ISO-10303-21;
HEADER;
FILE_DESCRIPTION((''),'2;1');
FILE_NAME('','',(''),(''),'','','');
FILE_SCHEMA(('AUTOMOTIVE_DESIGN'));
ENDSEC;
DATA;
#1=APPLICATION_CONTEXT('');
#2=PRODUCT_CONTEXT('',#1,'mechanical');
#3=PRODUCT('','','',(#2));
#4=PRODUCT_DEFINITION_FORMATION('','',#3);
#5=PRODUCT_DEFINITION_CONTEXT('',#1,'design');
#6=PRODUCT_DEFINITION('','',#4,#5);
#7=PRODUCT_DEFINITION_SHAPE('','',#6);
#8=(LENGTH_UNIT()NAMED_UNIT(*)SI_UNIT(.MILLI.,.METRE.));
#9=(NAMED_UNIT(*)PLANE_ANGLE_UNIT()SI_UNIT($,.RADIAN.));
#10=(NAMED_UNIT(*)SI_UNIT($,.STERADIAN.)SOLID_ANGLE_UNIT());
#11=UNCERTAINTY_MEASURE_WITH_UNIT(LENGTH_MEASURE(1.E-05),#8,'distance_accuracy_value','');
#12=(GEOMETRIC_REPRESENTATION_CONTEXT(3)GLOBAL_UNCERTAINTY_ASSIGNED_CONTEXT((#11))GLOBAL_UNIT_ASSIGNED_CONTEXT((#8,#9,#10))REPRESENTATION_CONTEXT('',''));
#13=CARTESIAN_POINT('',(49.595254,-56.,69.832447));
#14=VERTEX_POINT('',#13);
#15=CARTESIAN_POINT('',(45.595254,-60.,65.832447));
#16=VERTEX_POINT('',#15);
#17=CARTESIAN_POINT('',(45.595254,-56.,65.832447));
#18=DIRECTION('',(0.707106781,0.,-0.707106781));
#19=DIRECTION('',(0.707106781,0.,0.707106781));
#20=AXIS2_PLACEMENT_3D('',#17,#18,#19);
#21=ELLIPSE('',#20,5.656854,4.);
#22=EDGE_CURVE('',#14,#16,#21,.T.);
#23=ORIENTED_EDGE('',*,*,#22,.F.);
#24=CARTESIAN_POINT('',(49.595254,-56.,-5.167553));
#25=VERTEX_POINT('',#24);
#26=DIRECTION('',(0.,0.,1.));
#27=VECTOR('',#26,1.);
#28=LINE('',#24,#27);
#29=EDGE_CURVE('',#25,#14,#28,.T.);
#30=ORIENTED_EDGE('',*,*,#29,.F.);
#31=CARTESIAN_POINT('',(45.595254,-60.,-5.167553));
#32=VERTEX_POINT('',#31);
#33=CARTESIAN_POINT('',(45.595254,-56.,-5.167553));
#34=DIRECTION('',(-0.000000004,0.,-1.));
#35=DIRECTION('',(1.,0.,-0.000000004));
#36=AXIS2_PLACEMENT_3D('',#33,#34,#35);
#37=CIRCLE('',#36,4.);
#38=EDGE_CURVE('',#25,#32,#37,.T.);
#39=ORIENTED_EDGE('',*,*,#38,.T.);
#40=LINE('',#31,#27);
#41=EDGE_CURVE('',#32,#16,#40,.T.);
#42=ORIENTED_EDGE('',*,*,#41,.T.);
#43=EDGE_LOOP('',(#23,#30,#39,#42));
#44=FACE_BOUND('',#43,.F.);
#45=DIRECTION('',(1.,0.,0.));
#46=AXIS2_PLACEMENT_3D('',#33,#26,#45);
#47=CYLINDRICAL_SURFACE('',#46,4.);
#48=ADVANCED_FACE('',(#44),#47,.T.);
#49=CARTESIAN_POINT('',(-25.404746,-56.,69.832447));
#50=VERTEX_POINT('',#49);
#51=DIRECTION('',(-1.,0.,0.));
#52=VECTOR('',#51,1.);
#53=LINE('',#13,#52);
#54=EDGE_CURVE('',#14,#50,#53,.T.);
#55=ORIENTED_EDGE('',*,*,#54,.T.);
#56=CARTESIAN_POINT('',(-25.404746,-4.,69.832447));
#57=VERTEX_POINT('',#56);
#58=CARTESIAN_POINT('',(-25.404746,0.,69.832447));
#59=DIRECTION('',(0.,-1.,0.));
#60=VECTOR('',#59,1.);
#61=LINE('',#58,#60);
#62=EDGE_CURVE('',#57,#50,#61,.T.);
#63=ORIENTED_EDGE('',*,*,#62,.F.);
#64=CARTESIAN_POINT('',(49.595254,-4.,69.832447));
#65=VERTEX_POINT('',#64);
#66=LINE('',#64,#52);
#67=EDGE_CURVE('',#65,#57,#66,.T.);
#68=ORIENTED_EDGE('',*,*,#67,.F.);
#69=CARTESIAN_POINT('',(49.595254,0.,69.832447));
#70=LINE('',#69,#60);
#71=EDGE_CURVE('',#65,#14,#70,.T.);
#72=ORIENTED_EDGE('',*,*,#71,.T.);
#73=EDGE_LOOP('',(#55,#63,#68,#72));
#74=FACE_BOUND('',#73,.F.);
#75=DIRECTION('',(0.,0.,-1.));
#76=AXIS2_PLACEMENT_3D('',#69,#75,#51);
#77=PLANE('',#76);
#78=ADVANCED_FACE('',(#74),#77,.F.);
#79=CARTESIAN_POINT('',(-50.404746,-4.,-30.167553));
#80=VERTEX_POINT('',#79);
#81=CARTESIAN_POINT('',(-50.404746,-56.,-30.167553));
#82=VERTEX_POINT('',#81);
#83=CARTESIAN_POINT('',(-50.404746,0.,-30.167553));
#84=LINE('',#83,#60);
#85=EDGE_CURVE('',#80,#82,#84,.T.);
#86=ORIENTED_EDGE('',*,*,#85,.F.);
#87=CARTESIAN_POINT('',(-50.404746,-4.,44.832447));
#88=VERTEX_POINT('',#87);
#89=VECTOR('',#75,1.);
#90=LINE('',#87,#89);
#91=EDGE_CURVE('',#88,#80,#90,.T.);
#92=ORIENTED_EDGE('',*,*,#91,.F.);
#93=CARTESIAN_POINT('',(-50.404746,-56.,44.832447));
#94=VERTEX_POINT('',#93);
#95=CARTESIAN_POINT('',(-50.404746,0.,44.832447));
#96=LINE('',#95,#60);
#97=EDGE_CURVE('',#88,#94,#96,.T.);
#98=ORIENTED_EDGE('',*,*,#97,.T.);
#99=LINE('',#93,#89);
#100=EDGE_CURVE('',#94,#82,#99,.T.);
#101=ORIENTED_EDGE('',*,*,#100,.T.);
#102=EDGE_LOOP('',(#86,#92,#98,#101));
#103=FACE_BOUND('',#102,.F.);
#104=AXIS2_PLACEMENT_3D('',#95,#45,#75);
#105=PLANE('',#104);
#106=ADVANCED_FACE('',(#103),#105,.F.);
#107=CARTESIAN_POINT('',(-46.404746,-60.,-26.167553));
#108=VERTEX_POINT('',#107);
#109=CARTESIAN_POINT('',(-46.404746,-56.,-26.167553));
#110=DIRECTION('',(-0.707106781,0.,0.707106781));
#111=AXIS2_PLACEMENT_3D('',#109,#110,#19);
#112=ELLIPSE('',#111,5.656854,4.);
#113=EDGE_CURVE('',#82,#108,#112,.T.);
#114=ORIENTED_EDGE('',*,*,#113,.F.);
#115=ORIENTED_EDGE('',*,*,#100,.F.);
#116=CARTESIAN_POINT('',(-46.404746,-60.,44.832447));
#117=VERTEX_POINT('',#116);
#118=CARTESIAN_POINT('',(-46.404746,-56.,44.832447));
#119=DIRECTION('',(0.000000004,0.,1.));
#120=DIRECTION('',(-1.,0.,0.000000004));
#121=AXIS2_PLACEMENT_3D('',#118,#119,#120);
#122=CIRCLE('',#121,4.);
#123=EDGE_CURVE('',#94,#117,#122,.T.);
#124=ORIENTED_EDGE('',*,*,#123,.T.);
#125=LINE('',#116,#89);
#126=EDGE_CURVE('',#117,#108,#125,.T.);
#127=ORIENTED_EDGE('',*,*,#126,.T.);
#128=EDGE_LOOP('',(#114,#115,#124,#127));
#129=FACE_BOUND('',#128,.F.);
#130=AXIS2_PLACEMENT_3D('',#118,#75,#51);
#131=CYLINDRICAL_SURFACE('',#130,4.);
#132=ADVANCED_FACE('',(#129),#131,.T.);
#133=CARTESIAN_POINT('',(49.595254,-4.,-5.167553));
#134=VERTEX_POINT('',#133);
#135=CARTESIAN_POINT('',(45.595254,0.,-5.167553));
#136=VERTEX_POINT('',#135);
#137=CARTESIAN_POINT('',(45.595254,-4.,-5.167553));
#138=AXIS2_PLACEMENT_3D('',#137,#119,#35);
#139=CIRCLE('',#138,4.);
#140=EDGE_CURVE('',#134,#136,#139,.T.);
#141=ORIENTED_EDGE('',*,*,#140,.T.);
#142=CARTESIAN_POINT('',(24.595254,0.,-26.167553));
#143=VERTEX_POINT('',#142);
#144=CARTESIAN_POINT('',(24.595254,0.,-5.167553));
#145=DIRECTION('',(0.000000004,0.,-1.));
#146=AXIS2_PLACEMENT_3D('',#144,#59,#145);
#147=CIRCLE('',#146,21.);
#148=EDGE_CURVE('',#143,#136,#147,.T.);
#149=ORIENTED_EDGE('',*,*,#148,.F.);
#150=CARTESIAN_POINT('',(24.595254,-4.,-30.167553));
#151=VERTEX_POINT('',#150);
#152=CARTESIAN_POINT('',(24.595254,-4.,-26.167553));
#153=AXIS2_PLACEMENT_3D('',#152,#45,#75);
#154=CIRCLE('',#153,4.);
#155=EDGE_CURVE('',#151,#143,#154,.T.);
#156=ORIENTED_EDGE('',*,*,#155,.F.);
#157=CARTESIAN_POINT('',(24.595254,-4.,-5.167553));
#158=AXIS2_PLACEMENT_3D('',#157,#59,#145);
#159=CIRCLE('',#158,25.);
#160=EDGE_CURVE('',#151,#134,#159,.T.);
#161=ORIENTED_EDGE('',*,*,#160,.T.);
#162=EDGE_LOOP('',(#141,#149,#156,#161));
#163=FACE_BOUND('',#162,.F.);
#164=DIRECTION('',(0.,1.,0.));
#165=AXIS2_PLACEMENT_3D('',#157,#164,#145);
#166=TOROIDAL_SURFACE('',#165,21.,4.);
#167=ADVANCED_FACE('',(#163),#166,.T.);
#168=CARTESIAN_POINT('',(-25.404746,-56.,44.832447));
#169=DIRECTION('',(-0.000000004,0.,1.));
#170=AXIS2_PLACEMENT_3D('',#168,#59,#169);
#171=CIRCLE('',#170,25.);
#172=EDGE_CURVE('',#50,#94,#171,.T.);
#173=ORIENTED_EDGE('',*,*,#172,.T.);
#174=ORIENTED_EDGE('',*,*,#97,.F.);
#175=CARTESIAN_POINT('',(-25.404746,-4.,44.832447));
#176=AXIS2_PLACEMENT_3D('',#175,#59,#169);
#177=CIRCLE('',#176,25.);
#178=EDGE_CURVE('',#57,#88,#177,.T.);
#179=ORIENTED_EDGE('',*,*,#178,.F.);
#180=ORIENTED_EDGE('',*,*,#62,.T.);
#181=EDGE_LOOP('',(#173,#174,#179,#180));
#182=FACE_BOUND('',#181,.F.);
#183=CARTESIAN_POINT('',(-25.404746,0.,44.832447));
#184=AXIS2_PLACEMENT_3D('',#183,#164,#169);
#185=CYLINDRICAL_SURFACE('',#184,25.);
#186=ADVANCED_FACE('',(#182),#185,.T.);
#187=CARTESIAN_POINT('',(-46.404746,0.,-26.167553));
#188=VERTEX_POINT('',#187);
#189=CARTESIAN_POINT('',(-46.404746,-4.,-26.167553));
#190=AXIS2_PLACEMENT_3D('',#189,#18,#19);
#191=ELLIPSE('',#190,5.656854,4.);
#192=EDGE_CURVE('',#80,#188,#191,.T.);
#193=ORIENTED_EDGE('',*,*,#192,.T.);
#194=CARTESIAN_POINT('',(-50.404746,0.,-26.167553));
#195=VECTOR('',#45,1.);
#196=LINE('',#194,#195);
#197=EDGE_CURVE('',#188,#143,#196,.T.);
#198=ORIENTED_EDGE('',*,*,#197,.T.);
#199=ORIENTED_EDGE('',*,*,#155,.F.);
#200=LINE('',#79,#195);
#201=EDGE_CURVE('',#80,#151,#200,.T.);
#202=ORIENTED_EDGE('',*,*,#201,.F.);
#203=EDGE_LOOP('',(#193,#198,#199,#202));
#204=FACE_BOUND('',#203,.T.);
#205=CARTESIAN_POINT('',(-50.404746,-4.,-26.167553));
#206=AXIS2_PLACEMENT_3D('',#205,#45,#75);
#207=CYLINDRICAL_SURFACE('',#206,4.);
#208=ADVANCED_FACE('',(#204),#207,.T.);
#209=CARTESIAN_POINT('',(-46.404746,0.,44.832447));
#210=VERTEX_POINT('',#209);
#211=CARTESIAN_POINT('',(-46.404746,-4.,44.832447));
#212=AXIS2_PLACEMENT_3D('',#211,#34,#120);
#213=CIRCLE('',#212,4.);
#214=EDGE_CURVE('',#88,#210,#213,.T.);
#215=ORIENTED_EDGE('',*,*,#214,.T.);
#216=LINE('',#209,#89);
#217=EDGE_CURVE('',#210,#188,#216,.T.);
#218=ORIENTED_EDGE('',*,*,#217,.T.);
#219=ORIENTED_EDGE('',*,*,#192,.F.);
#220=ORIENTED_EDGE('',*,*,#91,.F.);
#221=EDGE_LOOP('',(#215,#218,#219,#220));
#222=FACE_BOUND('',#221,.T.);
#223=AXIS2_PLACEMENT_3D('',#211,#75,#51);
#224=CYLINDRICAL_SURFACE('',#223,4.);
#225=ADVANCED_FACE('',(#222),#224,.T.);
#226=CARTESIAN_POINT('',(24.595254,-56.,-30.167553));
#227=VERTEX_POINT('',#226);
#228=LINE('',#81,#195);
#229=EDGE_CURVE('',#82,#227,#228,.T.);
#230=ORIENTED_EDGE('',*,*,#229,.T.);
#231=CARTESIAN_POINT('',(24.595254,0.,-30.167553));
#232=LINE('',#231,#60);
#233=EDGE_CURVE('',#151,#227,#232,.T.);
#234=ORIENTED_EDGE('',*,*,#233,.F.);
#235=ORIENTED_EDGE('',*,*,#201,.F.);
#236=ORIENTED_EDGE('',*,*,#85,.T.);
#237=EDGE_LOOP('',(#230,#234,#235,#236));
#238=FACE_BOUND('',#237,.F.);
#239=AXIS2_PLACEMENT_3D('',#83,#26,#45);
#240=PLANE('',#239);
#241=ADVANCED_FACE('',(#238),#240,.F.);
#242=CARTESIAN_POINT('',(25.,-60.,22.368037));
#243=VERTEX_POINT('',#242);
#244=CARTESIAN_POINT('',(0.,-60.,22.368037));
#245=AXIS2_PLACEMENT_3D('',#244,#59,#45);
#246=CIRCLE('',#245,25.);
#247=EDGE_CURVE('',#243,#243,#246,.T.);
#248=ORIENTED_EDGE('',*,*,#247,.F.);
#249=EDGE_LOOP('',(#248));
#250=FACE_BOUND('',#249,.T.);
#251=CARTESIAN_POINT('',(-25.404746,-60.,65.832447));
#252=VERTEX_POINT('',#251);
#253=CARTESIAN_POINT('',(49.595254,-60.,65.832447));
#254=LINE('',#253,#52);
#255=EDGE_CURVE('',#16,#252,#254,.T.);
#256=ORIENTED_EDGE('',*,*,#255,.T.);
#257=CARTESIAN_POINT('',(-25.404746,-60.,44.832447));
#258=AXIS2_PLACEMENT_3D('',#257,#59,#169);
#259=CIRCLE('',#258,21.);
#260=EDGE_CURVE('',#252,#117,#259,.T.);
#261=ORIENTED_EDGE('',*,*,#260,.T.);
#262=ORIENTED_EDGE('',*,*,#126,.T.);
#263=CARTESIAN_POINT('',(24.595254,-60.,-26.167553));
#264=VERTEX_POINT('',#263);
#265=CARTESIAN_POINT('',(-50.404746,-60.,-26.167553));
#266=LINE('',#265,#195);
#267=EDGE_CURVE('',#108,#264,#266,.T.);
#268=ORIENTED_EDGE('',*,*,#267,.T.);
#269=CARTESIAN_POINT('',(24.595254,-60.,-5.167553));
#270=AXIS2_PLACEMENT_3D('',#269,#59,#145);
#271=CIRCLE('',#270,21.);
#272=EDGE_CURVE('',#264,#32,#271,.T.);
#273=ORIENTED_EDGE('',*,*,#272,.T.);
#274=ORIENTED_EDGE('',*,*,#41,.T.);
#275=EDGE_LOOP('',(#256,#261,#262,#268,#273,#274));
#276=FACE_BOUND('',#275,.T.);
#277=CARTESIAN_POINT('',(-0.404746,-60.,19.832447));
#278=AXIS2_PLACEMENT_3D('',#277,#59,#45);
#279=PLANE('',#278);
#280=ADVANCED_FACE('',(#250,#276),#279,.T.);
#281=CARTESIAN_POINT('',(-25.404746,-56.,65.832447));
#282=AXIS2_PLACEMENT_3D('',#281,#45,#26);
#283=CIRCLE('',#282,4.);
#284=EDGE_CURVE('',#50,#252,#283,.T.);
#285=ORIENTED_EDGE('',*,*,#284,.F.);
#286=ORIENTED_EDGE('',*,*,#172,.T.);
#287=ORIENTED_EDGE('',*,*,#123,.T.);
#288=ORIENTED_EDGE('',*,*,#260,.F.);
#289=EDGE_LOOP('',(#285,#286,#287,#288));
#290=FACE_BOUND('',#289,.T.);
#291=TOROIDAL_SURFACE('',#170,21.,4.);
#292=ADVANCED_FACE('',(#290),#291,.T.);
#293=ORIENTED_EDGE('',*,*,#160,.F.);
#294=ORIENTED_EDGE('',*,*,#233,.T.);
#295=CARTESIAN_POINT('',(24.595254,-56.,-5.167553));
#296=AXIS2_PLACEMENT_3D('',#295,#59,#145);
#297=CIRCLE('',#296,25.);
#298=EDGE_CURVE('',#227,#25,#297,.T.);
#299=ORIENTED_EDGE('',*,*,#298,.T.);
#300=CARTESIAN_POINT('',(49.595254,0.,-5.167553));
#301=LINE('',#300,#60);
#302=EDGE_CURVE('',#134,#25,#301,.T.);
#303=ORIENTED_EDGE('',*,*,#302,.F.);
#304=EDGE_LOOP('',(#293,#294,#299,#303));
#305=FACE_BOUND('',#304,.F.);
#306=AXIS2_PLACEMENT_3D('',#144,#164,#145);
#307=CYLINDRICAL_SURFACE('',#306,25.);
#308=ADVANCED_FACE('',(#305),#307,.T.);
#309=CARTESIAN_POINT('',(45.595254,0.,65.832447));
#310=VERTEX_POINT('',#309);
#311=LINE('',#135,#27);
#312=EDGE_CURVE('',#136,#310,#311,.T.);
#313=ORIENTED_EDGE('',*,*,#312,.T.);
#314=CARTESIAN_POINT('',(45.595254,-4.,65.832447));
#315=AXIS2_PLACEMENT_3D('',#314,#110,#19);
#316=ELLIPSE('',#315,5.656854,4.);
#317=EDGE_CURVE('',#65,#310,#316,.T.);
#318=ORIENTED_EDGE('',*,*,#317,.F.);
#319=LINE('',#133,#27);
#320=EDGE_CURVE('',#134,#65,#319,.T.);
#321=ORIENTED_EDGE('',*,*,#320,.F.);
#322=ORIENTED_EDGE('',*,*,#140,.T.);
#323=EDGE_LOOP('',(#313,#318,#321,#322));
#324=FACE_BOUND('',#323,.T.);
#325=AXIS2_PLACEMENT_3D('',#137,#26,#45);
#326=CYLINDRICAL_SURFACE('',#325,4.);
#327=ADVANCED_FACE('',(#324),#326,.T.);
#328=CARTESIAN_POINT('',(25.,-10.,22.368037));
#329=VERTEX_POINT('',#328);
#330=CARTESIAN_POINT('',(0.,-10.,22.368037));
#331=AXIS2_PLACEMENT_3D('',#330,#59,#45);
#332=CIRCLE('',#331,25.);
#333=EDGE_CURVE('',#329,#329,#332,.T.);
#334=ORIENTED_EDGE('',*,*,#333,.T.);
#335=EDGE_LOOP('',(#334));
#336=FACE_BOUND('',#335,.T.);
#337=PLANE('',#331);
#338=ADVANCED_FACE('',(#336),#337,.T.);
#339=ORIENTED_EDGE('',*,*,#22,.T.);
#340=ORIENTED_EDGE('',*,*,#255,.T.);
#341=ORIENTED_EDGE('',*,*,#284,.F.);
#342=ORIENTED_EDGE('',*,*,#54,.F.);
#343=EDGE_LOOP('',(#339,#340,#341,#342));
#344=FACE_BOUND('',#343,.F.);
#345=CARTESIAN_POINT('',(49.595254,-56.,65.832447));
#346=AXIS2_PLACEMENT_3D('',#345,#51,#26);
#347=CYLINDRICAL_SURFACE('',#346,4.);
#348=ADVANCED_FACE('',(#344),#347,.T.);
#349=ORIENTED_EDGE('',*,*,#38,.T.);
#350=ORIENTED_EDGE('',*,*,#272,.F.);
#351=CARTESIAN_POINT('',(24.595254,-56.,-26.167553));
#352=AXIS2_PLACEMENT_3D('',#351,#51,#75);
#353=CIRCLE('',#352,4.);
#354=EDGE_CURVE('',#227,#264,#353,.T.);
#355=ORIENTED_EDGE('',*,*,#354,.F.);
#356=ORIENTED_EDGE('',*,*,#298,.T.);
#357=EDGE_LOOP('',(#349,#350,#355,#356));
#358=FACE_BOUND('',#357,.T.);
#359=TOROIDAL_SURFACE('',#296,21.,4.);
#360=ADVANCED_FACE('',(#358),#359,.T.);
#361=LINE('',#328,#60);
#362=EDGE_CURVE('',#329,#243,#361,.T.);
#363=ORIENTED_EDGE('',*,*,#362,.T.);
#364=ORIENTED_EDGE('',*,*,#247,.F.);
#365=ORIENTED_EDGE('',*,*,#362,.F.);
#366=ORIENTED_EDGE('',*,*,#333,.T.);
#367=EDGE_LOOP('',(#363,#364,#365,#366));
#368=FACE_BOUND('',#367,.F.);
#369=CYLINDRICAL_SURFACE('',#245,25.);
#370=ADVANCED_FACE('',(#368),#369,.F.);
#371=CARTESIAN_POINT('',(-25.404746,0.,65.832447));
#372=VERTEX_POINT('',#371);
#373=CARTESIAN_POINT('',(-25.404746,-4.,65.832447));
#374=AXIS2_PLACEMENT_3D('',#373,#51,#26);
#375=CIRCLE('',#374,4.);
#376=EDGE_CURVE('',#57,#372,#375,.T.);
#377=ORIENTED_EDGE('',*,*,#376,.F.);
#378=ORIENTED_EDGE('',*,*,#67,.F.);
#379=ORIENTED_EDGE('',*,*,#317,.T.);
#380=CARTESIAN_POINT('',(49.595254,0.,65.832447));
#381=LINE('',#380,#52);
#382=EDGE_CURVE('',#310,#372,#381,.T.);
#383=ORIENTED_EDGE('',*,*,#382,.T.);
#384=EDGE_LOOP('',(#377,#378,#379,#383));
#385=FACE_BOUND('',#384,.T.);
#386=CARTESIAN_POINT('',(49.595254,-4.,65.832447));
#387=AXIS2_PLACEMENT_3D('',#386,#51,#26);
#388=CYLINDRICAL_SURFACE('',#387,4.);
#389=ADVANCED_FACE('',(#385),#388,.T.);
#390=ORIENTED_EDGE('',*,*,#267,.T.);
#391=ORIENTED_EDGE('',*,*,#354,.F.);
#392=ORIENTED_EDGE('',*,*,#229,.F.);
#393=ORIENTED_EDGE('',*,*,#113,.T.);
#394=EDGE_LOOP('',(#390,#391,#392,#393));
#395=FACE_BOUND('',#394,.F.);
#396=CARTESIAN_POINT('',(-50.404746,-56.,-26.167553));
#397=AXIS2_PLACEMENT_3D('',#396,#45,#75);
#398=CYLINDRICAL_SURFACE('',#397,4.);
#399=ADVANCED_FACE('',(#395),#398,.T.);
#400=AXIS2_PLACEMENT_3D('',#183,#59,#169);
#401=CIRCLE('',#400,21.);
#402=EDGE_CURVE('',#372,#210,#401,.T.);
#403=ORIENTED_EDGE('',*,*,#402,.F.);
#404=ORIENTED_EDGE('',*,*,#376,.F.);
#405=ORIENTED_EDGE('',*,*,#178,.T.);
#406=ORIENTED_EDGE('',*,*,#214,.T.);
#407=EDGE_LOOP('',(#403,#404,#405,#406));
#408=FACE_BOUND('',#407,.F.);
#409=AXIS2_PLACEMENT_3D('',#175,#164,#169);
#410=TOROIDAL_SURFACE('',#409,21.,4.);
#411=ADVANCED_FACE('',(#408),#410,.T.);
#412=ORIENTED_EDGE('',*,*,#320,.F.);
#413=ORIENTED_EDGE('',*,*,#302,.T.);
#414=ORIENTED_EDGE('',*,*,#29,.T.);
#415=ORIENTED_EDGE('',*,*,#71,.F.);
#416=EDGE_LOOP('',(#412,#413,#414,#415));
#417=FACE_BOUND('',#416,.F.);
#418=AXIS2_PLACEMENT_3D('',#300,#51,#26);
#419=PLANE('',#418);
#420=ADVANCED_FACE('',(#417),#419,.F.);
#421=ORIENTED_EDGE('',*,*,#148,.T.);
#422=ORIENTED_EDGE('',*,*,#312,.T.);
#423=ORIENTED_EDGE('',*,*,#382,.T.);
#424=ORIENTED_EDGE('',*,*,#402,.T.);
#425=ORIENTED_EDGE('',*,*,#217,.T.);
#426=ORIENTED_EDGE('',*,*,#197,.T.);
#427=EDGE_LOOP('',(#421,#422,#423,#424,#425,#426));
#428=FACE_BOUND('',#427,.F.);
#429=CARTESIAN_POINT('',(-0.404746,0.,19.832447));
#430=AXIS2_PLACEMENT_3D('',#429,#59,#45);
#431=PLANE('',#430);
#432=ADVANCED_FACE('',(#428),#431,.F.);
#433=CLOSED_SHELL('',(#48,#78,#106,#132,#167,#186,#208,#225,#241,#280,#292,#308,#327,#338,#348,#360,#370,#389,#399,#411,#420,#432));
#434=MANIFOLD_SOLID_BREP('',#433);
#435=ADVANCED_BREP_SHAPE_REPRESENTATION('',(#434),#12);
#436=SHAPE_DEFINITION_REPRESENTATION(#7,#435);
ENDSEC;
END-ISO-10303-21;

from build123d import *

# Parameters (mm, degrees)
F1_DEPTH  = 60
F2_R      = 4
F3_R      = 4
F4_R      = 25
F5_DEPTH  = 25
F5_FACE_R = 25
F6_DEPTH  = 25


with BuildPart() as f1:
    # F0 (on Front) → F1 (new body)
    with BuildSketch(Plane.XZ):
        with BuildLine():
            Line((49.595254, 69.832447), (-25.404746, 69.832447))
            ThreePointArc((-25.404746, 69.832447), (-43.082416, 62.510116), (-50.404746, 44.832447))
            Line((-50.404746, 44.832447), (-50.404746, -30.167553))
            Line((-50.404746, -30.167553), (24.595254, -30.167553))
            ThreePointArc((24.595254, -30.167553), (42.272923, -22.845223), (49.595254, -5.167553))
            Line((49.595254, -5.167553), (49.595254, 69.832447))
        make_face()
    extrude(amount=F1_DEPTH)

    # F2
    f2_edges = [f1.edges().sort_by_distance(p)[0] for p in [
        (49.595254, -60, 32.332447),
        (12.095254, -60, 69.832447),
        (-43.082416, -60, 62.510116),
        (-50.404746, -60, 7.332447),
        (-12.904746, -60, -30.167553),
        (42.272923, -60, -22.845223),
    ]]
    fillet(f2_edges, radius=F2_R)

    # F3
    f3_edges = [f1.edges().sort_by_distance(p)[0] for p in [
        (49.595254, 0, 32.332447),
        (12.095254, 0, 69.832447),
        (-43.082416, 0, 62.510116),
        (-50.404746, 0, 7.332447),
        (-12.904746, 0, -30.167553),
        (42.272923, 0, -22.845223),
    ]]
    fillet(f3_edges, radius=F3_R)

    # F4 (on face) → F5 (cut)
    with BuildSketch(Plane.XZ.offset(60)):
        with Locations((0, 22.368037)):
            Circle(F4_R)
    extrude(amount=-F5_DEPTH, mode=Mode.SUBTRACT)

    # F5_face (on face) + F4 (on face) → F6 (cut)
    with BuildSketch(Plane(origin=(0, -35, 22.368037), x_dir=(1, 0, 0), z_dir=(0, -1, 0))):
        Circle(F5_FACE_R)
    with BuildSketch(Plane.XZ.offset(60)):
        with Locations((0, 22.368037)):
            Circle(F4_R)
    extrude(amount=-F6_DEPTH, mode=Mode.SUBTRACT)


solid = f1.part
